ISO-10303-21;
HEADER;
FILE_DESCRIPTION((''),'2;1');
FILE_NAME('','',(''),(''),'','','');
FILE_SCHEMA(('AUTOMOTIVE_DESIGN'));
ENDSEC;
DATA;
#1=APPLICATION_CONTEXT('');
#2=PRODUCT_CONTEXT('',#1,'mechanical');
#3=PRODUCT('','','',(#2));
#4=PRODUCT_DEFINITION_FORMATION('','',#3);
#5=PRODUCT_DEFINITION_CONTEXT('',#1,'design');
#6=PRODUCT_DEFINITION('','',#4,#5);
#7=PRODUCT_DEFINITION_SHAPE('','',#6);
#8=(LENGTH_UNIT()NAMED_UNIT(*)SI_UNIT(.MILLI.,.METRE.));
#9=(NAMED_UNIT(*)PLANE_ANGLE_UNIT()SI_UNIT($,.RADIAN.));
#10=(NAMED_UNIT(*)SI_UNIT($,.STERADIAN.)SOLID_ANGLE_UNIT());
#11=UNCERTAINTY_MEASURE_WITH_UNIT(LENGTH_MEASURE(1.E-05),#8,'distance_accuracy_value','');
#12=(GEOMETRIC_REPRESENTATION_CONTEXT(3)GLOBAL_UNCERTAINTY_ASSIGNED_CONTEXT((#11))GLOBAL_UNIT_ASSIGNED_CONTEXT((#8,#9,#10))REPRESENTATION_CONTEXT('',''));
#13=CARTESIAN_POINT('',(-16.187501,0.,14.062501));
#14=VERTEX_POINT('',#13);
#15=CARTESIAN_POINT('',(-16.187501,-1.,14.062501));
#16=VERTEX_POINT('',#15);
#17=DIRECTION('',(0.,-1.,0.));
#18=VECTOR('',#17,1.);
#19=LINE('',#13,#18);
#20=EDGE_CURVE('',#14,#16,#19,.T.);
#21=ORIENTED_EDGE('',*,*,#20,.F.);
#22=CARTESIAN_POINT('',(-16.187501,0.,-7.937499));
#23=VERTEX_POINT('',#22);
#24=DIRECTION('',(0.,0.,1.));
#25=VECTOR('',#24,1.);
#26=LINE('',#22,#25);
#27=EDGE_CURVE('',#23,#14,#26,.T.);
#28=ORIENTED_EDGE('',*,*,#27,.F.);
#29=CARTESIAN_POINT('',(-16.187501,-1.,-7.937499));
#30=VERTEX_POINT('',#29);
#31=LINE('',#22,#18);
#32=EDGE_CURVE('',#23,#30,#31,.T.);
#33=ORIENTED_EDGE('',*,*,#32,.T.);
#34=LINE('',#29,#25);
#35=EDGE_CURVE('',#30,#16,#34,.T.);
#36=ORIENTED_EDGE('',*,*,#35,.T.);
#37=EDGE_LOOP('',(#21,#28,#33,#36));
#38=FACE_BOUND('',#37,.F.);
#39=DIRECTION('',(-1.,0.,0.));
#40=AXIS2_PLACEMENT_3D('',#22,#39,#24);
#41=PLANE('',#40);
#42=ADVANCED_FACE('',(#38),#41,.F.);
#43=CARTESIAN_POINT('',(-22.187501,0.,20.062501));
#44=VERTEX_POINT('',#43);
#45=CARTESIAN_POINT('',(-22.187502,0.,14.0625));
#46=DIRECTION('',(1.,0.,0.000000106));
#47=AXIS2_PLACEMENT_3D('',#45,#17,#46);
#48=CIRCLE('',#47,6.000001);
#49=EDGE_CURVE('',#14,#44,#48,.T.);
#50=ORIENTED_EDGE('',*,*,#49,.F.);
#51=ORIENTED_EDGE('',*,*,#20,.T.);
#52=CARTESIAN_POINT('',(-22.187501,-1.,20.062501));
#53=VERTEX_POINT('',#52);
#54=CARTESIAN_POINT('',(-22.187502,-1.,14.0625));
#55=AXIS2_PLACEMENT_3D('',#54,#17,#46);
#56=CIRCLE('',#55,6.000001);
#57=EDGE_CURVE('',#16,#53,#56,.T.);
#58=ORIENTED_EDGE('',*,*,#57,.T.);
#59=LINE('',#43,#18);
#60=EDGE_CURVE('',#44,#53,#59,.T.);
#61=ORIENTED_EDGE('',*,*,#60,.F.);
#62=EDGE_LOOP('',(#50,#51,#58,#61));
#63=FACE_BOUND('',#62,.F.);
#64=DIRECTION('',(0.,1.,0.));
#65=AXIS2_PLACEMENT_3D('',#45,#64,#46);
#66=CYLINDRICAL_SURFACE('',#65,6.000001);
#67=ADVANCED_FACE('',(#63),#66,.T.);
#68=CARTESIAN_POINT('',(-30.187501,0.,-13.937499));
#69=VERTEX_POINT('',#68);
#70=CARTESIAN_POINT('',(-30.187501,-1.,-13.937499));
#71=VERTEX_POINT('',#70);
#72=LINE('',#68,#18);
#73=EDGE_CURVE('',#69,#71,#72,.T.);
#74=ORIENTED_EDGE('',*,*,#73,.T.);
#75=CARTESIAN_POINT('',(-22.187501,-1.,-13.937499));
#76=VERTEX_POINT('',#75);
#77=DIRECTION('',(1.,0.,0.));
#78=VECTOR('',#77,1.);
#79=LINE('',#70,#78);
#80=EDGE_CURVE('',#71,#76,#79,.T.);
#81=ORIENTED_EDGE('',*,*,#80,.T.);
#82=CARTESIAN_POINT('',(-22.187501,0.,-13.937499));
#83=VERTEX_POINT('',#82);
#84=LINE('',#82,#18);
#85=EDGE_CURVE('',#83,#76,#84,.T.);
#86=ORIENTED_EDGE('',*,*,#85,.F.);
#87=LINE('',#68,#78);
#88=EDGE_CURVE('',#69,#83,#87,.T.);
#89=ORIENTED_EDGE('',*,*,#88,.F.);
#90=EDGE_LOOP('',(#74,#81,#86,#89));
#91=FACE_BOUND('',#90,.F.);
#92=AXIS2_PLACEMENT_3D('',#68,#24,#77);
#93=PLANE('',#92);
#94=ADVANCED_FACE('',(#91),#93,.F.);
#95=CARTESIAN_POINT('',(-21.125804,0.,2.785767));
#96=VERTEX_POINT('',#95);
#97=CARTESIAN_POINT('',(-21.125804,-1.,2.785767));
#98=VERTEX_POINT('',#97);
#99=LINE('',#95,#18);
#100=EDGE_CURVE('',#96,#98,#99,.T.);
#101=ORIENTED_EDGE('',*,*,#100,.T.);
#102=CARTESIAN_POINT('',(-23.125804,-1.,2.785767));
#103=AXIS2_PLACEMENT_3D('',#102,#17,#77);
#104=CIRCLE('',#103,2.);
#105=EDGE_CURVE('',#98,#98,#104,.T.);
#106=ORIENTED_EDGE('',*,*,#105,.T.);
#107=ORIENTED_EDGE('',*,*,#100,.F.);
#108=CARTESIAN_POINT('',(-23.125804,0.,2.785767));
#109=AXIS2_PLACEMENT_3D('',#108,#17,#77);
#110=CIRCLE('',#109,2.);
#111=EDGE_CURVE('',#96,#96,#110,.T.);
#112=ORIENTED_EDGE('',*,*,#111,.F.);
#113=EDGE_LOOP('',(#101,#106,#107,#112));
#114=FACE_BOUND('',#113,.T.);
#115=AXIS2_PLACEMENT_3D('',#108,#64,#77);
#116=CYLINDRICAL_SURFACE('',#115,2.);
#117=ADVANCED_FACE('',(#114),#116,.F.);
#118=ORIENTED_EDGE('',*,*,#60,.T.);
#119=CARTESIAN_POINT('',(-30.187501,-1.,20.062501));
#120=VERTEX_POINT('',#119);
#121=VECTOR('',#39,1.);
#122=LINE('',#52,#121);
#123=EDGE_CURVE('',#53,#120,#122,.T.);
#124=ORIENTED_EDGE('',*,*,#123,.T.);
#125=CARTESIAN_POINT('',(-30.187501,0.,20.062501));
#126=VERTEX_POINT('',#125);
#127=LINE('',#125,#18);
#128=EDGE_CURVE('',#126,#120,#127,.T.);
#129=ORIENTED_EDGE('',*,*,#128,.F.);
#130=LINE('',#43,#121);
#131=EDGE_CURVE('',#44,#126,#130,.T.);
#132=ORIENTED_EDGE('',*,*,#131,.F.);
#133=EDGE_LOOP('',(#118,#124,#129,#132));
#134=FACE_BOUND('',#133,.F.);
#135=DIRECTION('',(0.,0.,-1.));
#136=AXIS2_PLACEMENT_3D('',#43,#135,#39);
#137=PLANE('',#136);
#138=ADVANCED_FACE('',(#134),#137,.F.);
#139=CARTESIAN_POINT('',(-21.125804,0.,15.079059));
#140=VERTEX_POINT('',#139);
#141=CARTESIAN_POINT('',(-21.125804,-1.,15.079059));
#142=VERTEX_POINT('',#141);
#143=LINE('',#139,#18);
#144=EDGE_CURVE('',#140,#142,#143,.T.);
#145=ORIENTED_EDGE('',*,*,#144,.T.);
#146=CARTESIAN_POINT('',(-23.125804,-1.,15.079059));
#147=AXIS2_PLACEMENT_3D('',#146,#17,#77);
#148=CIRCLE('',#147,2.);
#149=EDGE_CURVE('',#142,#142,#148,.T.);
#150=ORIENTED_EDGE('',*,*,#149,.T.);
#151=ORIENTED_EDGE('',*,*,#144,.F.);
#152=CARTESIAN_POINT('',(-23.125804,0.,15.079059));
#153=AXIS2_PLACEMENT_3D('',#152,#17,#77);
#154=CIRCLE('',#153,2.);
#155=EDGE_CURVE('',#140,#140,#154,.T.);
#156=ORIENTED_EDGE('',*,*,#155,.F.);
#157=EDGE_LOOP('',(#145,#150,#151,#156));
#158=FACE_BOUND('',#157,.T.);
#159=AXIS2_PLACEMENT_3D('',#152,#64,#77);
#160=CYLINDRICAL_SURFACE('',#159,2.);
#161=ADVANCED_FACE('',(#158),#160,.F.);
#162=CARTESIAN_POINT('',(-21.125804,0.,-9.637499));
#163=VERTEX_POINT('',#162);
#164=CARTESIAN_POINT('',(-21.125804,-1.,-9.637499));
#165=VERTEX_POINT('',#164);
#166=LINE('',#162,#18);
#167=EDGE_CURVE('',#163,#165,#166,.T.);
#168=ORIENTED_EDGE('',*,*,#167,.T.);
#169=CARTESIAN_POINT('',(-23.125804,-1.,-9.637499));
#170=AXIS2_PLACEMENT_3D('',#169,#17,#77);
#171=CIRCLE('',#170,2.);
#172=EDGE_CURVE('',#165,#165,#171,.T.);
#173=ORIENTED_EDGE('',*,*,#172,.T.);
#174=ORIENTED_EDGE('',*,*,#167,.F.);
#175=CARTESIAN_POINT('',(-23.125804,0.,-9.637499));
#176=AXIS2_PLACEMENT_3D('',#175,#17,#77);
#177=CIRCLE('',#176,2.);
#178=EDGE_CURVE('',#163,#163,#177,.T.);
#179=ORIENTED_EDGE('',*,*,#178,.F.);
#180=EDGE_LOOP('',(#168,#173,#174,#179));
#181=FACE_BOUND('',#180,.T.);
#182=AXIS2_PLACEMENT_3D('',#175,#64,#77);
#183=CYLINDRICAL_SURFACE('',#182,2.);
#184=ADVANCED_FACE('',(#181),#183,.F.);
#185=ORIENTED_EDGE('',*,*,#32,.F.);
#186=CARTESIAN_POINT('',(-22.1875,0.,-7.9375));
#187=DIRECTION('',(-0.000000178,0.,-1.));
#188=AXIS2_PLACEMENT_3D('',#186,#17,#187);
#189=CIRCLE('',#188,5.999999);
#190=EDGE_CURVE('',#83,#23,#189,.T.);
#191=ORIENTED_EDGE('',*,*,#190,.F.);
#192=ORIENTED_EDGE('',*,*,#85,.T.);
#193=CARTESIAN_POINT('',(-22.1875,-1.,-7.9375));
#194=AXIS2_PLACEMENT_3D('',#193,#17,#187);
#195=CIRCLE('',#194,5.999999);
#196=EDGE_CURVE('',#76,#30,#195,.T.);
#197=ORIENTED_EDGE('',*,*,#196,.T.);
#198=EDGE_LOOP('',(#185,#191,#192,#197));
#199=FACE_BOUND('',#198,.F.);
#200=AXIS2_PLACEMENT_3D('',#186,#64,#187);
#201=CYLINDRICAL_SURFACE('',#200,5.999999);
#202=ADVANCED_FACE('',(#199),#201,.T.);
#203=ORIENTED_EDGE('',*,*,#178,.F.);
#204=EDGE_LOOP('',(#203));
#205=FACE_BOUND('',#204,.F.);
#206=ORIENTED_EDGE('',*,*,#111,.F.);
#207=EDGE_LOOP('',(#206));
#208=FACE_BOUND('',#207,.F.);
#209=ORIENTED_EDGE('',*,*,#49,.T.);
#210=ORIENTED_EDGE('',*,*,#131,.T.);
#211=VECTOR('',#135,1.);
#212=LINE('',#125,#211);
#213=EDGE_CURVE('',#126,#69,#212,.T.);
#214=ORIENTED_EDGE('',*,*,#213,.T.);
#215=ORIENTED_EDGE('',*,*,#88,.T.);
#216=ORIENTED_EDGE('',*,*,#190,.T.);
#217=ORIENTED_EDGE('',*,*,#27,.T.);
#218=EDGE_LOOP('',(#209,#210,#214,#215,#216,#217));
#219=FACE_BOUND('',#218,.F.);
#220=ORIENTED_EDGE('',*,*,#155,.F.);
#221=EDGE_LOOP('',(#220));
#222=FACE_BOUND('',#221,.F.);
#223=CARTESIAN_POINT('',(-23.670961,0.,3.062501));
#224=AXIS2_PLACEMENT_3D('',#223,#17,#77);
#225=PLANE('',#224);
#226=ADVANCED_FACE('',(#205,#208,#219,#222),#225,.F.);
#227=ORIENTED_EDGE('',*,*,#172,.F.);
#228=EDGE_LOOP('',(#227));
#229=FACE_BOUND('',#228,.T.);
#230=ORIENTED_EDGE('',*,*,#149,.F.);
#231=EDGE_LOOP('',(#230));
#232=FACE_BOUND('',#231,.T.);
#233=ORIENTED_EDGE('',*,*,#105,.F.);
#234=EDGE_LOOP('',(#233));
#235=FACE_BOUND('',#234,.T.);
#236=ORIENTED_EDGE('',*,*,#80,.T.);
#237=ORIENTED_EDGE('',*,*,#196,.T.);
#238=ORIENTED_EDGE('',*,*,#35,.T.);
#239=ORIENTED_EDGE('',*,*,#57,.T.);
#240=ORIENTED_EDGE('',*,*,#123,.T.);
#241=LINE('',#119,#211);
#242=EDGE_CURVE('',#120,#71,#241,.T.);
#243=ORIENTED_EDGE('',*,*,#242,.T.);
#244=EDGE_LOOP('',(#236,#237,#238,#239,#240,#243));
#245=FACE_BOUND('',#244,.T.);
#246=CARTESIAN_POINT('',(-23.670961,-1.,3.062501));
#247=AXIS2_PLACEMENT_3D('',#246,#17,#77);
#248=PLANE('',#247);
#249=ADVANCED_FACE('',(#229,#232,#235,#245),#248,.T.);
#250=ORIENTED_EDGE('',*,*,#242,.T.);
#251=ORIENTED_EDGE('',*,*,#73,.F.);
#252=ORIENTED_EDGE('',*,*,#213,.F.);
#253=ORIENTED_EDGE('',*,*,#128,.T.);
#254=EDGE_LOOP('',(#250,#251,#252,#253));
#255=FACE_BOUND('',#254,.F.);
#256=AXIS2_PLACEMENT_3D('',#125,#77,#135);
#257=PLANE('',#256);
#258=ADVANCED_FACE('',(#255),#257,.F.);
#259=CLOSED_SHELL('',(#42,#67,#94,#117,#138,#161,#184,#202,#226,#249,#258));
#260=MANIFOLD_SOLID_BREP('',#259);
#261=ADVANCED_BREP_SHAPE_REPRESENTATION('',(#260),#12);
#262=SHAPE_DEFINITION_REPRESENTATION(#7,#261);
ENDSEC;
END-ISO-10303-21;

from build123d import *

# Parameters (mm, degrees)
F0_R     = 2
F1_DEPTH = 1


with BuildPart() as f1:
    # F0 (on Front) → F1 (new body)
    with BuildSketch(Plane.XZ):
        with BuildLine():
            Line((-30.187501, 20.062501), (-30.187501, -13.937499))
            Line((-30.187501, -13.937499), (-22.187501, -13.937499))
            ThreePointArc((-22.187501, -13.937499), (-17.94486, -12.18014), (-16.187501, -7.937499))
            Line((-16.187501, -7.937499), (-16.187501, 14.062501))
            ThreePointArc((-16.187501, 14.062501), (-17.94486, 18.305141), (-22.187501, 20.062501))
            Line((-22.187501, 20.062501), (-30.187501, 20.062501))
        make_face()
        with Locations((-23.125804, -9.637499)):
            Circle(F0_R, mode=Mode.SUBTRACT)
        with Locations((-23.125804, 2.785767)):
            Circle(F0_R, mode=Mode.SUBTRACT)
        with Locations((-23.125804, 15.079059)):
            Circle(F0_R, mode=Mode.SUBTRACT)
    extrude(amount=F1_DEPTH)


solid = f1.part
